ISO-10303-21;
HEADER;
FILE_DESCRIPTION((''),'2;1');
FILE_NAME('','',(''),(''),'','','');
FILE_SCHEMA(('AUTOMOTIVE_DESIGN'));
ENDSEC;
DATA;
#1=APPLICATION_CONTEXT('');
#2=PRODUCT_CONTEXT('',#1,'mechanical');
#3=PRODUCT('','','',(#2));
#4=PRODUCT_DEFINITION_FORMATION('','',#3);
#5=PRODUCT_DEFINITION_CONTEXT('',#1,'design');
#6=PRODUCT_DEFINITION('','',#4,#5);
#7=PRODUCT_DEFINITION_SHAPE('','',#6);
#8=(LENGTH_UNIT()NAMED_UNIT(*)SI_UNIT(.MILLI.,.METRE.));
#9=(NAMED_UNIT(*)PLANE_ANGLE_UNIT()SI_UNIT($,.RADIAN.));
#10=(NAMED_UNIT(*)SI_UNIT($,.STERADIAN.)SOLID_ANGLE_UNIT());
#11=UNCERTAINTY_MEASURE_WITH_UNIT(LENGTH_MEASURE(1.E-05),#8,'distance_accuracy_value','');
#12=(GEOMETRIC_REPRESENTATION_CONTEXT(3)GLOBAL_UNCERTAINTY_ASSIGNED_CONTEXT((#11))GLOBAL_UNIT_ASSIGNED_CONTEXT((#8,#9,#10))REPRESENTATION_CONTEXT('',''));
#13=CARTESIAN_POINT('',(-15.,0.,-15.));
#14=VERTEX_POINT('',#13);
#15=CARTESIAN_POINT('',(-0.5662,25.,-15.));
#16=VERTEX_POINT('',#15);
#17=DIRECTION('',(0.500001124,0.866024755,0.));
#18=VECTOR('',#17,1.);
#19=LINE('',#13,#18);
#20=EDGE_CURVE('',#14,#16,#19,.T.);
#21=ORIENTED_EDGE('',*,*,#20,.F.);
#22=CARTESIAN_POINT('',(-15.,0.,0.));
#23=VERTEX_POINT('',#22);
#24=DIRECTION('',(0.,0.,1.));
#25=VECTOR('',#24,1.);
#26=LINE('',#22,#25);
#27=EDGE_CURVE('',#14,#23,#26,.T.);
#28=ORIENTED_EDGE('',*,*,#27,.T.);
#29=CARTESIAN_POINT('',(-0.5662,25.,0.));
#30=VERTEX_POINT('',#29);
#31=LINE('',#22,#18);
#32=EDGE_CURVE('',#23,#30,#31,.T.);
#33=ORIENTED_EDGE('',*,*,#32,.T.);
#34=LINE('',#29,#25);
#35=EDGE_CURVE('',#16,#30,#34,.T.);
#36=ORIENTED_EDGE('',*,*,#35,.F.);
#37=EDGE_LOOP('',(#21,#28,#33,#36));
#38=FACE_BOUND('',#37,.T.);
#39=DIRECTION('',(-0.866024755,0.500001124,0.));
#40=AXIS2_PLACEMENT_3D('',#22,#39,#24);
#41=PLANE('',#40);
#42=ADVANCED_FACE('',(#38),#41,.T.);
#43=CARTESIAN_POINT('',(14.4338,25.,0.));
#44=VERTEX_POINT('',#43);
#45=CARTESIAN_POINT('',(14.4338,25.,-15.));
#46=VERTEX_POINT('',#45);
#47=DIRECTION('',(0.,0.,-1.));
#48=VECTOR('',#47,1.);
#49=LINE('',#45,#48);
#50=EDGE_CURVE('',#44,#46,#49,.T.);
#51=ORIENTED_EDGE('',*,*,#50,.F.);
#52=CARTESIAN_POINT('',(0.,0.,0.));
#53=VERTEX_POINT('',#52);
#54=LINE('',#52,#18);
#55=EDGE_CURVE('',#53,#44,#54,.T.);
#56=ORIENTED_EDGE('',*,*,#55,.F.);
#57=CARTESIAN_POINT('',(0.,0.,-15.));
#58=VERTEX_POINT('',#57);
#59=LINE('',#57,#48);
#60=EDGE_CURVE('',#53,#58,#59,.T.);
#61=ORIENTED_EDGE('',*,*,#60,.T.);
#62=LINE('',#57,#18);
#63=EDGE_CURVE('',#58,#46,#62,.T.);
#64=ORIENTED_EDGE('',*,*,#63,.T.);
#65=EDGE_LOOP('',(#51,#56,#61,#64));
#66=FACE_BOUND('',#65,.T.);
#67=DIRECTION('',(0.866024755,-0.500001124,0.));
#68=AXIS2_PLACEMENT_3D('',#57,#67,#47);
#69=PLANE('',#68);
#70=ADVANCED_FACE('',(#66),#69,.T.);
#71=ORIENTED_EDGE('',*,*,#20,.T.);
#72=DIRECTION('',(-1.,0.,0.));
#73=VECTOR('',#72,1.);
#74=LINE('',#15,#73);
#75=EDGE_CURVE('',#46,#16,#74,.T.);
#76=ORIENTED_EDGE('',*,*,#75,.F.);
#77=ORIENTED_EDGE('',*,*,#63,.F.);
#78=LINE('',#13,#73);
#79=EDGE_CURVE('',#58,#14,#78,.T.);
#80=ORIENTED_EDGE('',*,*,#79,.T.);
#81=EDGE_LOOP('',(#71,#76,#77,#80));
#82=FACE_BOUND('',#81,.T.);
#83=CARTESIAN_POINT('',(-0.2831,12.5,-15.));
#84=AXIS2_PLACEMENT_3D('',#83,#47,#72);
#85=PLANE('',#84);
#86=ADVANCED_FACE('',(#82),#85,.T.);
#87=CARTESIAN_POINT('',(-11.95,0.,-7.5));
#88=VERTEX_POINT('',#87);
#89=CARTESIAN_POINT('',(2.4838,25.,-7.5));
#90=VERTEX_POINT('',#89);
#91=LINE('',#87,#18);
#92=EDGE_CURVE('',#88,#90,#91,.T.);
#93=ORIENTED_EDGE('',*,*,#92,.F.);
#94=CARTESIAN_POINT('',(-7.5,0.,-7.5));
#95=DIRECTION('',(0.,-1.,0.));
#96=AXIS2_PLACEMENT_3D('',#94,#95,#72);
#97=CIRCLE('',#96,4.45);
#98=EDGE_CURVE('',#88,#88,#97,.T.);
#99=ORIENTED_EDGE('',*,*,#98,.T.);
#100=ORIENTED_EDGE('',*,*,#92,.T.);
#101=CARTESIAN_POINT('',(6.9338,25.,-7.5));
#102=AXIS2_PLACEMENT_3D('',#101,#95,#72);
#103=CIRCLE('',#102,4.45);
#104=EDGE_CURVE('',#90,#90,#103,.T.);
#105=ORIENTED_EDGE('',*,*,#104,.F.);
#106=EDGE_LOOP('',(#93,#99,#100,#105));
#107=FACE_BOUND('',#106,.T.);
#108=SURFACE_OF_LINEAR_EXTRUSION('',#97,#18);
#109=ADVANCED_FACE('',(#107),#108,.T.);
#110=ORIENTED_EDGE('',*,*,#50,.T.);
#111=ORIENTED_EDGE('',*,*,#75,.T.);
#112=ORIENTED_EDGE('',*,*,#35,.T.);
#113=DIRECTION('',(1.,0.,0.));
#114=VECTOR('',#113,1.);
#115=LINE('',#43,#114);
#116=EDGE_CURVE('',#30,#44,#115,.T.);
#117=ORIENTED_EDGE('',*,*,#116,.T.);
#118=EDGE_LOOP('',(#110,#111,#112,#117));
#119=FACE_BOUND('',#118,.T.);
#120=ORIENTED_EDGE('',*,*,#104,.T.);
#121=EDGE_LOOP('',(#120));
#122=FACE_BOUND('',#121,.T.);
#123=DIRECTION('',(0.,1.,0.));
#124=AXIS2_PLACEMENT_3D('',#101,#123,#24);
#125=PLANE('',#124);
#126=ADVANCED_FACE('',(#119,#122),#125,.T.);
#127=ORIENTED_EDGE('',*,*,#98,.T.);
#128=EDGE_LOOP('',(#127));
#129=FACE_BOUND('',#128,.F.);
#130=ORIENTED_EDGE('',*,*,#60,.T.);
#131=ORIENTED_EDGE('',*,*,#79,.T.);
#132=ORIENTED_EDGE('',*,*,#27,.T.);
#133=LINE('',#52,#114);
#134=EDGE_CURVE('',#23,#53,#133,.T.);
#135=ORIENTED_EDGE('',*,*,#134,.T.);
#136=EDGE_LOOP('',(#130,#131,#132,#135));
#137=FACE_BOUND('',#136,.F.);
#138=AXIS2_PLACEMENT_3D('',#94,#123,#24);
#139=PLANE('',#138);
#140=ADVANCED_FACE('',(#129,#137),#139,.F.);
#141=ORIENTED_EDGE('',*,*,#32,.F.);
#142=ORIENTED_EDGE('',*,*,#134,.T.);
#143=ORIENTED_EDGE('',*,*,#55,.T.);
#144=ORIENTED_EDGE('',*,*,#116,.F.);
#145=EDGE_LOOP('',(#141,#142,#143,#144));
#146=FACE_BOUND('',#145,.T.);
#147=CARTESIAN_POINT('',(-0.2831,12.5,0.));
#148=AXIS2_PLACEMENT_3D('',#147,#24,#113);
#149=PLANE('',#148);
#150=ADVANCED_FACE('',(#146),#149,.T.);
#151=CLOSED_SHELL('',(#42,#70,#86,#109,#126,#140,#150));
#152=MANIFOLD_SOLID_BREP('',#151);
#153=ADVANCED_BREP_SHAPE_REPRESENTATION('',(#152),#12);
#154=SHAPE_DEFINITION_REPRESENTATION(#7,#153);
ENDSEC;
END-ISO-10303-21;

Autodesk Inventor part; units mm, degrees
ref_plane "YZ Plane" through (0, 0, 0) normal (1, 0, 0) x (0, 1, 0)
ref_plane "XZ Plane" through (0, 0, 0) normal (0, 1, 0) x (-1, 0, 0)
ref_plane "XY Plane" through (0, 0, 0) normal (0, 0, 1) x (1, 0, 0)
sketch "Sketch1" plane through (0, 0, 0) normal (0, 1, 0) x (-1, 0, 0)
  line L0 (0, 0) -> (15, 0)
  line L1 (15, 0) -> (15, -15)
  line L2 (15, -15) -> (0, -15)
  line L3 (0, -15) -> (0, 0)
  circle A0 centre (7.5, -7.5) radius 4.45
  dimension "soporte_largo" = 15
  dimension "soporte_ancho" = 15
  dimension "soporte_hueco_diametro" = 8.9
  dimension "soporte_hueco_pos_ancho" = 7.5
  dimension "soporte_hueco_pos_largo" = 7.5
sketch "Sketch2" plane through (0, 0, 0) normal (0, 0, 1) x (1, 0, 0)
  line L0 (0, 0) -> (14.4338, 25)
  line L1 (0, 0) -> (28.8675, 0) construction
  dimension "soporte_inclinacion" = 60
  dimension "soporte_alterura" = 25
sweep "Sweep1" add profiles "Sketch1" path "Sketch2"
equation "\"soporte_hueco_pos_ancho\" = 0.5 * soporte_ancho"
equation "\"soporte_hueco_pos_largo\" = 0.5 * soporte_largo"
equation "\"tol1\" = 0.1"
equation "\"tol2\" = 0.2"
equation "\"tol3\" = 0.3"
equation "\"tol4\" = 0.4"
equation "\"tol5\" = 0.5"
equation "\"tol6\" = 0.6"
equation "\"tol7\" = 0.7"
equation "\"tol8\" = 0.8"
equation "\"tol9\" = 0.9"
equation "\"tol\" = 7"
properties part number "TestSoporte"
